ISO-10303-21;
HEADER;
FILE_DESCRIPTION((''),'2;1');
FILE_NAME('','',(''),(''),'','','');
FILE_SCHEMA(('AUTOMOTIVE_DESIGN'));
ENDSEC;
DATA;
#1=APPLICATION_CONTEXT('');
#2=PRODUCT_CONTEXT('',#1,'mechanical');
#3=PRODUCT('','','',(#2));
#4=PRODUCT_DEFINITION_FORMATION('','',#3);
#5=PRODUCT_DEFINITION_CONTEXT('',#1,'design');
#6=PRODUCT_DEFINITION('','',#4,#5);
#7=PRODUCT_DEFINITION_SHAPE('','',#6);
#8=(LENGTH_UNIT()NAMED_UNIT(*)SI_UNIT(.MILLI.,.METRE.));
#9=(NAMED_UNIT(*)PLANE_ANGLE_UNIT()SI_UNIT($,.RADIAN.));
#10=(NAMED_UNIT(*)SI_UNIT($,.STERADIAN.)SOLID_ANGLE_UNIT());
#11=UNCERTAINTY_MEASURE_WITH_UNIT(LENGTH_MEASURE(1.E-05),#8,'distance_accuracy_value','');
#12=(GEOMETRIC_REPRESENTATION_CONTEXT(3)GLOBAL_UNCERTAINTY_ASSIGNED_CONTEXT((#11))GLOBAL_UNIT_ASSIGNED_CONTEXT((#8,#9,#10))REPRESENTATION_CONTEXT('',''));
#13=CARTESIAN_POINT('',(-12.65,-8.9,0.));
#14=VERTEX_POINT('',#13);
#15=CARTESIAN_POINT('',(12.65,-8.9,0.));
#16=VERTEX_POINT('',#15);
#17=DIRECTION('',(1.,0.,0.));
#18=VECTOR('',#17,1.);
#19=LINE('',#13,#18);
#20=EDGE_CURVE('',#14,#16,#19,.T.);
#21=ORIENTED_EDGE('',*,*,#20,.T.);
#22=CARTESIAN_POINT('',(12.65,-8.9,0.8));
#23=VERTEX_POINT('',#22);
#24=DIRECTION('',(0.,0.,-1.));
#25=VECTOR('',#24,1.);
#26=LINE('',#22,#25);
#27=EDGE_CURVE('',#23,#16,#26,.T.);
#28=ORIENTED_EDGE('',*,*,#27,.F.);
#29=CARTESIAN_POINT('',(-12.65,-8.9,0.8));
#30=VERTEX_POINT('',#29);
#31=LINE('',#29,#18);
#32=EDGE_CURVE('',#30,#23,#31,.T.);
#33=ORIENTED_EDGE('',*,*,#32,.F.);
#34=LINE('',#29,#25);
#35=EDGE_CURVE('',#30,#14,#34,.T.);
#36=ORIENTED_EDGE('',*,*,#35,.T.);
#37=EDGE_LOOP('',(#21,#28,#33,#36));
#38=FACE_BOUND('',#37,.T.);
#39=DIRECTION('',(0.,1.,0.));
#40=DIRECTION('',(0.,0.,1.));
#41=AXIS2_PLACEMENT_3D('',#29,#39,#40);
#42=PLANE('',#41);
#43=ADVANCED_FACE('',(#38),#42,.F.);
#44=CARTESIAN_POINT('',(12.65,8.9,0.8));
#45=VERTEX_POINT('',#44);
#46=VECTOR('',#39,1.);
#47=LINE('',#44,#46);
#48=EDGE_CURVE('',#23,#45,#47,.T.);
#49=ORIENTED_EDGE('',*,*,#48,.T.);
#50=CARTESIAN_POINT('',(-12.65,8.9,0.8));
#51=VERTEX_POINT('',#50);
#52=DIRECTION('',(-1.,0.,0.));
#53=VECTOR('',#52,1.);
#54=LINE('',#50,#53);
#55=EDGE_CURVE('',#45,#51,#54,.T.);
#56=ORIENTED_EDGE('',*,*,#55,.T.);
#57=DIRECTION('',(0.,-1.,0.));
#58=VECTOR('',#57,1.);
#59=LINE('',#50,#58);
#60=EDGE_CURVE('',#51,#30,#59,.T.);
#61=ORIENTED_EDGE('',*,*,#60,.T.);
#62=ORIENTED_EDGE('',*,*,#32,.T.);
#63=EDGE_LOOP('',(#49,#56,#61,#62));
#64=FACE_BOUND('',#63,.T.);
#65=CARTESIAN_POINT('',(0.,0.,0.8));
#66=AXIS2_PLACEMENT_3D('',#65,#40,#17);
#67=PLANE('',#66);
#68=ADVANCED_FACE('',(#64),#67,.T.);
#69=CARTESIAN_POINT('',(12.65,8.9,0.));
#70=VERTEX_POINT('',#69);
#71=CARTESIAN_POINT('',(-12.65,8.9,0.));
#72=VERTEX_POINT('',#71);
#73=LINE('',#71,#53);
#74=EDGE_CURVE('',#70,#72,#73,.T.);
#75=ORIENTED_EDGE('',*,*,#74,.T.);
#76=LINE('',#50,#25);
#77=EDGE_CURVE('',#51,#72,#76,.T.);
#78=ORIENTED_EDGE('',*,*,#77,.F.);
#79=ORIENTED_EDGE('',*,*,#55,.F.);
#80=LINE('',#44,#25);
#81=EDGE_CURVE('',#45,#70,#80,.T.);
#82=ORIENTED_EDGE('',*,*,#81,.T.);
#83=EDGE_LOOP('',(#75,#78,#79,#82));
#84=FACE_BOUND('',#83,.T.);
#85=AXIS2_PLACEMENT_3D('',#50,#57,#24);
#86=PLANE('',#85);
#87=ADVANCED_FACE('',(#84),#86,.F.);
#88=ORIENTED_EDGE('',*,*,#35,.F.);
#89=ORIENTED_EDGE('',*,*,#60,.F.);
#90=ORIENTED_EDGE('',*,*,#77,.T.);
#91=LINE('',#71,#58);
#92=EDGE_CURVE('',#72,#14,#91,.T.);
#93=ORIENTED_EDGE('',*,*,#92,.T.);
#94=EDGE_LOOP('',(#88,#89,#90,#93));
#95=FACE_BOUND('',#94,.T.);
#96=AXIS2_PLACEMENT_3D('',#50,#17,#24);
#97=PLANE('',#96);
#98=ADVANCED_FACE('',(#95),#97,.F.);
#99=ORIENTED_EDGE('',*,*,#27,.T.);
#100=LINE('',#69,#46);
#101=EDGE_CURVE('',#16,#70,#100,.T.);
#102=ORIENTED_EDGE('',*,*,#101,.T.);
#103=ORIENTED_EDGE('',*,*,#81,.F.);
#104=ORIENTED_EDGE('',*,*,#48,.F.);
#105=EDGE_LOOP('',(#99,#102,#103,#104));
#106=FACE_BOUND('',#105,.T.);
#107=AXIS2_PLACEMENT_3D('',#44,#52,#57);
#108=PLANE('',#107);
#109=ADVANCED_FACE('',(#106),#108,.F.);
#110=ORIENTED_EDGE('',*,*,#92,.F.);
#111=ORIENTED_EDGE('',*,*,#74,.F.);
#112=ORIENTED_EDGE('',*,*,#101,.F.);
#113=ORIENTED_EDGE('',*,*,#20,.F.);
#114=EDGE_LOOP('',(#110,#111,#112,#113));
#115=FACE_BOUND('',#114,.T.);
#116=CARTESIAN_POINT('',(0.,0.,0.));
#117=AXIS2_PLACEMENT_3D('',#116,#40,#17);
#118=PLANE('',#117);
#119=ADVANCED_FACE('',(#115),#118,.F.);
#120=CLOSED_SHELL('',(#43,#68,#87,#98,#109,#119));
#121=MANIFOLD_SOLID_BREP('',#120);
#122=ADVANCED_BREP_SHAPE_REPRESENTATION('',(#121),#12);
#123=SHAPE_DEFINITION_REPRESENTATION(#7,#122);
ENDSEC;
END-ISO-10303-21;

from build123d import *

# Parameters (mm, degrees)
SKETCH_1_W      = 25.3
SKETCH_1_H      = 17.8
EXTRUDE_1_DEPTH = 0.8


with BuildPart() as part:
    # Эскиз1 → Бобышка-Вытянуть1 (new body)
    with BuildSketch(Plane.XY):
        Rectangle(SKETCH_1_W, SKETCH_1_H)
    extrude(amount=EXTRUDE_1_DEPTH)


solid = part.part
